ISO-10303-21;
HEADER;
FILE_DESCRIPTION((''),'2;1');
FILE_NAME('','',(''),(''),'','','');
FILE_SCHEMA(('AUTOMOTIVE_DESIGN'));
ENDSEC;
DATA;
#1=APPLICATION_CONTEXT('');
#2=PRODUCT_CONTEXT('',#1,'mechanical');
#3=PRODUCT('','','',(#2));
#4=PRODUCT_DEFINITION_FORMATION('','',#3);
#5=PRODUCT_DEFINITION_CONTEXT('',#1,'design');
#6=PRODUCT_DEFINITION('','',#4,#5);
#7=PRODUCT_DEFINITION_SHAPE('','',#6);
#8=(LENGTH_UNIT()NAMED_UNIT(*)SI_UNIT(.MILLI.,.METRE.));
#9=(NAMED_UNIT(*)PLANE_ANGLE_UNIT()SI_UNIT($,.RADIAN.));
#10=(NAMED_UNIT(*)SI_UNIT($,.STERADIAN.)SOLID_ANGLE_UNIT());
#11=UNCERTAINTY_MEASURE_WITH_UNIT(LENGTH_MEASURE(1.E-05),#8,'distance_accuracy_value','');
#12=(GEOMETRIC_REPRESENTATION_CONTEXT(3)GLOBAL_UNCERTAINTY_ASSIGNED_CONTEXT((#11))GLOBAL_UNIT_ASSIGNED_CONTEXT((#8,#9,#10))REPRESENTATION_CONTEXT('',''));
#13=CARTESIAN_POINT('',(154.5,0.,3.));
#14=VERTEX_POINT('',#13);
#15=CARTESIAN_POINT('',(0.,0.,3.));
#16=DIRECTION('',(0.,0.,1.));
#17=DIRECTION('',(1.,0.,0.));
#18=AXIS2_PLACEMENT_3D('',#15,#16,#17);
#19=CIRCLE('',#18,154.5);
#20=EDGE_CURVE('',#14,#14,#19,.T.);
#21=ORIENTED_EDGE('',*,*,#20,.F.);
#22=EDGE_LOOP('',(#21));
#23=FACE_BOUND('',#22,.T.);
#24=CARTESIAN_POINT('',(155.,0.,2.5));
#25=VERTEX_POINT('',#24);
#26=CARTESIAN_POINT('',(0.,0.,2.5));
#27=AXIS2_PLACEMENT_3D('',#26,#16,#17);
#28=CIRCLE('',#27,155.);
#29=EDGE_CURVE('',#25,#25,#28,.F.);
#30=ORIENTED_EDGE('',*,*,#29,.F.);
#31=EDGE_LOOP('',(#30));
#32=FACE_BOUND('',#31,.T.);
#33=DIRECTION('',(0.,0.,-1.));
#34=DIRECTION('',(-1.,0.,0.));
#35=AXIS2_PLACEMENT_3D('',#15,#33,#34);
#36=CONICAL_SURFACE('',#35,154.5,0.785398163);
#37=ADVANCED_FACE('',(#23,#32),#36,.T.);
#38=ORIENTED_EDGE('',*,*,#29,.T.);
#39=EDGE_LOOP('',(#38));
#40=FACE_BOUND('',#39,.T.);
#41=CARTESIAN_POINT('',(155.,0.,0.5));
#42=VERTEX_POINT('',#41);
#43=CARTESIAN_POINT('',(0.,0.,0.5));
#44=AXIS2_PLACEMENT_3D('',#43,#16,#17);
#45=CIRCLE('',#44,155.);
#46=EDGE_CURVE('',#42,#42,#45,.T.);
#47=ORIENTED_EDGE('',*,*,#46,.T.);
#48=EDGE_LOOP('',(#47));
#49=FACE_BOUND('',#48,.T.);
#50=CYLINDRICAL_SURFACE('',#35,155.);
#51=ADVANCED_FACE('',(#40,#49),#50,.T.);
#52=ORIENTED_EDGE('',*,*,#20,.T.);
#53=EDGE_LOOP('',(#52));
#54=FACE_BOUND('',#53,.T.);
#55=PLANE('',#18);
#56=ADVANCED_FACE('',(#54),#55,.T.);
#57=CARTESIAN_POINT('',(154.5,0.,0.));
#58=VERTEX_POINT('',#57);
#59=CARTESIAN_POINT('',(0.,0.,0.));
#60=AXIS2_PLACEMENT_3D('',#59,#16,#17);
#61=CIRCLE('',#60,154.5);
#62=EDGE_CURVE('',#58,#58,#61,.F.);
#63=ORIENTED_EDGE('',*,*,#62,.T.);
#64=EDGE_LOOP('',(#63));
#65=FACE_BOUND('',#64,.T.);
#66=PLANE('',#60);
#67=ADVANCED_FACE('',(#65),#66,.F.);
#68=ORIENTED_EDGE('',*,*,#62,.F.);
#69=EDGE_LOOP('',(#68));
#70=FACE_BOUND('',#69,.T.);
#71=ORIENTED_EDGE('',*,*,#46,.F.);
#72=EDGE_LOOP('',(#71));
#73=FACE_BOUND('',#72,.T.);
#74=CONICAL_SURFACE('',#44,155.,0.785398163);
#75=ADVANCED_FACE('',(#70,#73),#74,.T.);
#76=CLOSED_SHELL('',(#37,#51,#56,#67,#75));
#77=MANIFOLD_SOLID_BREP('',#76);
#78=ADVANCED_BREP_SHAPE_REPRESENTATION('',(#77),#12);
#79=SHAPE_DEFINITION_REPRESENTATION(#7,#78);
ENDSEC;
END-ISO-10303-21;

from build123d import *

# Parameters (mm, degrees)
SKETCH1_R           = 155
BOSS_EXTRUDE1_DEPTH = 3
CHAMFER1_SIZE       = 0.5


with BuildPart() as part:
    # Sketch1 → Boss-Extrude1 (new body)
    with BuildSketch(Plane.XY):
        Circle(SKETCH1_R)
    extrude(amount=BOSS_EXTRUDE1_DEPTH)

    # Chamfer1
    chamfer1_edges = [part.edges().sort_by_distance(p)[0] for p in [
        (-155, 0, 0),
        (-155, 0, 3),
    ]]
    chamfer(chamfer1_edges, length=CHAMFER1_SIZE)


solid = part.part
